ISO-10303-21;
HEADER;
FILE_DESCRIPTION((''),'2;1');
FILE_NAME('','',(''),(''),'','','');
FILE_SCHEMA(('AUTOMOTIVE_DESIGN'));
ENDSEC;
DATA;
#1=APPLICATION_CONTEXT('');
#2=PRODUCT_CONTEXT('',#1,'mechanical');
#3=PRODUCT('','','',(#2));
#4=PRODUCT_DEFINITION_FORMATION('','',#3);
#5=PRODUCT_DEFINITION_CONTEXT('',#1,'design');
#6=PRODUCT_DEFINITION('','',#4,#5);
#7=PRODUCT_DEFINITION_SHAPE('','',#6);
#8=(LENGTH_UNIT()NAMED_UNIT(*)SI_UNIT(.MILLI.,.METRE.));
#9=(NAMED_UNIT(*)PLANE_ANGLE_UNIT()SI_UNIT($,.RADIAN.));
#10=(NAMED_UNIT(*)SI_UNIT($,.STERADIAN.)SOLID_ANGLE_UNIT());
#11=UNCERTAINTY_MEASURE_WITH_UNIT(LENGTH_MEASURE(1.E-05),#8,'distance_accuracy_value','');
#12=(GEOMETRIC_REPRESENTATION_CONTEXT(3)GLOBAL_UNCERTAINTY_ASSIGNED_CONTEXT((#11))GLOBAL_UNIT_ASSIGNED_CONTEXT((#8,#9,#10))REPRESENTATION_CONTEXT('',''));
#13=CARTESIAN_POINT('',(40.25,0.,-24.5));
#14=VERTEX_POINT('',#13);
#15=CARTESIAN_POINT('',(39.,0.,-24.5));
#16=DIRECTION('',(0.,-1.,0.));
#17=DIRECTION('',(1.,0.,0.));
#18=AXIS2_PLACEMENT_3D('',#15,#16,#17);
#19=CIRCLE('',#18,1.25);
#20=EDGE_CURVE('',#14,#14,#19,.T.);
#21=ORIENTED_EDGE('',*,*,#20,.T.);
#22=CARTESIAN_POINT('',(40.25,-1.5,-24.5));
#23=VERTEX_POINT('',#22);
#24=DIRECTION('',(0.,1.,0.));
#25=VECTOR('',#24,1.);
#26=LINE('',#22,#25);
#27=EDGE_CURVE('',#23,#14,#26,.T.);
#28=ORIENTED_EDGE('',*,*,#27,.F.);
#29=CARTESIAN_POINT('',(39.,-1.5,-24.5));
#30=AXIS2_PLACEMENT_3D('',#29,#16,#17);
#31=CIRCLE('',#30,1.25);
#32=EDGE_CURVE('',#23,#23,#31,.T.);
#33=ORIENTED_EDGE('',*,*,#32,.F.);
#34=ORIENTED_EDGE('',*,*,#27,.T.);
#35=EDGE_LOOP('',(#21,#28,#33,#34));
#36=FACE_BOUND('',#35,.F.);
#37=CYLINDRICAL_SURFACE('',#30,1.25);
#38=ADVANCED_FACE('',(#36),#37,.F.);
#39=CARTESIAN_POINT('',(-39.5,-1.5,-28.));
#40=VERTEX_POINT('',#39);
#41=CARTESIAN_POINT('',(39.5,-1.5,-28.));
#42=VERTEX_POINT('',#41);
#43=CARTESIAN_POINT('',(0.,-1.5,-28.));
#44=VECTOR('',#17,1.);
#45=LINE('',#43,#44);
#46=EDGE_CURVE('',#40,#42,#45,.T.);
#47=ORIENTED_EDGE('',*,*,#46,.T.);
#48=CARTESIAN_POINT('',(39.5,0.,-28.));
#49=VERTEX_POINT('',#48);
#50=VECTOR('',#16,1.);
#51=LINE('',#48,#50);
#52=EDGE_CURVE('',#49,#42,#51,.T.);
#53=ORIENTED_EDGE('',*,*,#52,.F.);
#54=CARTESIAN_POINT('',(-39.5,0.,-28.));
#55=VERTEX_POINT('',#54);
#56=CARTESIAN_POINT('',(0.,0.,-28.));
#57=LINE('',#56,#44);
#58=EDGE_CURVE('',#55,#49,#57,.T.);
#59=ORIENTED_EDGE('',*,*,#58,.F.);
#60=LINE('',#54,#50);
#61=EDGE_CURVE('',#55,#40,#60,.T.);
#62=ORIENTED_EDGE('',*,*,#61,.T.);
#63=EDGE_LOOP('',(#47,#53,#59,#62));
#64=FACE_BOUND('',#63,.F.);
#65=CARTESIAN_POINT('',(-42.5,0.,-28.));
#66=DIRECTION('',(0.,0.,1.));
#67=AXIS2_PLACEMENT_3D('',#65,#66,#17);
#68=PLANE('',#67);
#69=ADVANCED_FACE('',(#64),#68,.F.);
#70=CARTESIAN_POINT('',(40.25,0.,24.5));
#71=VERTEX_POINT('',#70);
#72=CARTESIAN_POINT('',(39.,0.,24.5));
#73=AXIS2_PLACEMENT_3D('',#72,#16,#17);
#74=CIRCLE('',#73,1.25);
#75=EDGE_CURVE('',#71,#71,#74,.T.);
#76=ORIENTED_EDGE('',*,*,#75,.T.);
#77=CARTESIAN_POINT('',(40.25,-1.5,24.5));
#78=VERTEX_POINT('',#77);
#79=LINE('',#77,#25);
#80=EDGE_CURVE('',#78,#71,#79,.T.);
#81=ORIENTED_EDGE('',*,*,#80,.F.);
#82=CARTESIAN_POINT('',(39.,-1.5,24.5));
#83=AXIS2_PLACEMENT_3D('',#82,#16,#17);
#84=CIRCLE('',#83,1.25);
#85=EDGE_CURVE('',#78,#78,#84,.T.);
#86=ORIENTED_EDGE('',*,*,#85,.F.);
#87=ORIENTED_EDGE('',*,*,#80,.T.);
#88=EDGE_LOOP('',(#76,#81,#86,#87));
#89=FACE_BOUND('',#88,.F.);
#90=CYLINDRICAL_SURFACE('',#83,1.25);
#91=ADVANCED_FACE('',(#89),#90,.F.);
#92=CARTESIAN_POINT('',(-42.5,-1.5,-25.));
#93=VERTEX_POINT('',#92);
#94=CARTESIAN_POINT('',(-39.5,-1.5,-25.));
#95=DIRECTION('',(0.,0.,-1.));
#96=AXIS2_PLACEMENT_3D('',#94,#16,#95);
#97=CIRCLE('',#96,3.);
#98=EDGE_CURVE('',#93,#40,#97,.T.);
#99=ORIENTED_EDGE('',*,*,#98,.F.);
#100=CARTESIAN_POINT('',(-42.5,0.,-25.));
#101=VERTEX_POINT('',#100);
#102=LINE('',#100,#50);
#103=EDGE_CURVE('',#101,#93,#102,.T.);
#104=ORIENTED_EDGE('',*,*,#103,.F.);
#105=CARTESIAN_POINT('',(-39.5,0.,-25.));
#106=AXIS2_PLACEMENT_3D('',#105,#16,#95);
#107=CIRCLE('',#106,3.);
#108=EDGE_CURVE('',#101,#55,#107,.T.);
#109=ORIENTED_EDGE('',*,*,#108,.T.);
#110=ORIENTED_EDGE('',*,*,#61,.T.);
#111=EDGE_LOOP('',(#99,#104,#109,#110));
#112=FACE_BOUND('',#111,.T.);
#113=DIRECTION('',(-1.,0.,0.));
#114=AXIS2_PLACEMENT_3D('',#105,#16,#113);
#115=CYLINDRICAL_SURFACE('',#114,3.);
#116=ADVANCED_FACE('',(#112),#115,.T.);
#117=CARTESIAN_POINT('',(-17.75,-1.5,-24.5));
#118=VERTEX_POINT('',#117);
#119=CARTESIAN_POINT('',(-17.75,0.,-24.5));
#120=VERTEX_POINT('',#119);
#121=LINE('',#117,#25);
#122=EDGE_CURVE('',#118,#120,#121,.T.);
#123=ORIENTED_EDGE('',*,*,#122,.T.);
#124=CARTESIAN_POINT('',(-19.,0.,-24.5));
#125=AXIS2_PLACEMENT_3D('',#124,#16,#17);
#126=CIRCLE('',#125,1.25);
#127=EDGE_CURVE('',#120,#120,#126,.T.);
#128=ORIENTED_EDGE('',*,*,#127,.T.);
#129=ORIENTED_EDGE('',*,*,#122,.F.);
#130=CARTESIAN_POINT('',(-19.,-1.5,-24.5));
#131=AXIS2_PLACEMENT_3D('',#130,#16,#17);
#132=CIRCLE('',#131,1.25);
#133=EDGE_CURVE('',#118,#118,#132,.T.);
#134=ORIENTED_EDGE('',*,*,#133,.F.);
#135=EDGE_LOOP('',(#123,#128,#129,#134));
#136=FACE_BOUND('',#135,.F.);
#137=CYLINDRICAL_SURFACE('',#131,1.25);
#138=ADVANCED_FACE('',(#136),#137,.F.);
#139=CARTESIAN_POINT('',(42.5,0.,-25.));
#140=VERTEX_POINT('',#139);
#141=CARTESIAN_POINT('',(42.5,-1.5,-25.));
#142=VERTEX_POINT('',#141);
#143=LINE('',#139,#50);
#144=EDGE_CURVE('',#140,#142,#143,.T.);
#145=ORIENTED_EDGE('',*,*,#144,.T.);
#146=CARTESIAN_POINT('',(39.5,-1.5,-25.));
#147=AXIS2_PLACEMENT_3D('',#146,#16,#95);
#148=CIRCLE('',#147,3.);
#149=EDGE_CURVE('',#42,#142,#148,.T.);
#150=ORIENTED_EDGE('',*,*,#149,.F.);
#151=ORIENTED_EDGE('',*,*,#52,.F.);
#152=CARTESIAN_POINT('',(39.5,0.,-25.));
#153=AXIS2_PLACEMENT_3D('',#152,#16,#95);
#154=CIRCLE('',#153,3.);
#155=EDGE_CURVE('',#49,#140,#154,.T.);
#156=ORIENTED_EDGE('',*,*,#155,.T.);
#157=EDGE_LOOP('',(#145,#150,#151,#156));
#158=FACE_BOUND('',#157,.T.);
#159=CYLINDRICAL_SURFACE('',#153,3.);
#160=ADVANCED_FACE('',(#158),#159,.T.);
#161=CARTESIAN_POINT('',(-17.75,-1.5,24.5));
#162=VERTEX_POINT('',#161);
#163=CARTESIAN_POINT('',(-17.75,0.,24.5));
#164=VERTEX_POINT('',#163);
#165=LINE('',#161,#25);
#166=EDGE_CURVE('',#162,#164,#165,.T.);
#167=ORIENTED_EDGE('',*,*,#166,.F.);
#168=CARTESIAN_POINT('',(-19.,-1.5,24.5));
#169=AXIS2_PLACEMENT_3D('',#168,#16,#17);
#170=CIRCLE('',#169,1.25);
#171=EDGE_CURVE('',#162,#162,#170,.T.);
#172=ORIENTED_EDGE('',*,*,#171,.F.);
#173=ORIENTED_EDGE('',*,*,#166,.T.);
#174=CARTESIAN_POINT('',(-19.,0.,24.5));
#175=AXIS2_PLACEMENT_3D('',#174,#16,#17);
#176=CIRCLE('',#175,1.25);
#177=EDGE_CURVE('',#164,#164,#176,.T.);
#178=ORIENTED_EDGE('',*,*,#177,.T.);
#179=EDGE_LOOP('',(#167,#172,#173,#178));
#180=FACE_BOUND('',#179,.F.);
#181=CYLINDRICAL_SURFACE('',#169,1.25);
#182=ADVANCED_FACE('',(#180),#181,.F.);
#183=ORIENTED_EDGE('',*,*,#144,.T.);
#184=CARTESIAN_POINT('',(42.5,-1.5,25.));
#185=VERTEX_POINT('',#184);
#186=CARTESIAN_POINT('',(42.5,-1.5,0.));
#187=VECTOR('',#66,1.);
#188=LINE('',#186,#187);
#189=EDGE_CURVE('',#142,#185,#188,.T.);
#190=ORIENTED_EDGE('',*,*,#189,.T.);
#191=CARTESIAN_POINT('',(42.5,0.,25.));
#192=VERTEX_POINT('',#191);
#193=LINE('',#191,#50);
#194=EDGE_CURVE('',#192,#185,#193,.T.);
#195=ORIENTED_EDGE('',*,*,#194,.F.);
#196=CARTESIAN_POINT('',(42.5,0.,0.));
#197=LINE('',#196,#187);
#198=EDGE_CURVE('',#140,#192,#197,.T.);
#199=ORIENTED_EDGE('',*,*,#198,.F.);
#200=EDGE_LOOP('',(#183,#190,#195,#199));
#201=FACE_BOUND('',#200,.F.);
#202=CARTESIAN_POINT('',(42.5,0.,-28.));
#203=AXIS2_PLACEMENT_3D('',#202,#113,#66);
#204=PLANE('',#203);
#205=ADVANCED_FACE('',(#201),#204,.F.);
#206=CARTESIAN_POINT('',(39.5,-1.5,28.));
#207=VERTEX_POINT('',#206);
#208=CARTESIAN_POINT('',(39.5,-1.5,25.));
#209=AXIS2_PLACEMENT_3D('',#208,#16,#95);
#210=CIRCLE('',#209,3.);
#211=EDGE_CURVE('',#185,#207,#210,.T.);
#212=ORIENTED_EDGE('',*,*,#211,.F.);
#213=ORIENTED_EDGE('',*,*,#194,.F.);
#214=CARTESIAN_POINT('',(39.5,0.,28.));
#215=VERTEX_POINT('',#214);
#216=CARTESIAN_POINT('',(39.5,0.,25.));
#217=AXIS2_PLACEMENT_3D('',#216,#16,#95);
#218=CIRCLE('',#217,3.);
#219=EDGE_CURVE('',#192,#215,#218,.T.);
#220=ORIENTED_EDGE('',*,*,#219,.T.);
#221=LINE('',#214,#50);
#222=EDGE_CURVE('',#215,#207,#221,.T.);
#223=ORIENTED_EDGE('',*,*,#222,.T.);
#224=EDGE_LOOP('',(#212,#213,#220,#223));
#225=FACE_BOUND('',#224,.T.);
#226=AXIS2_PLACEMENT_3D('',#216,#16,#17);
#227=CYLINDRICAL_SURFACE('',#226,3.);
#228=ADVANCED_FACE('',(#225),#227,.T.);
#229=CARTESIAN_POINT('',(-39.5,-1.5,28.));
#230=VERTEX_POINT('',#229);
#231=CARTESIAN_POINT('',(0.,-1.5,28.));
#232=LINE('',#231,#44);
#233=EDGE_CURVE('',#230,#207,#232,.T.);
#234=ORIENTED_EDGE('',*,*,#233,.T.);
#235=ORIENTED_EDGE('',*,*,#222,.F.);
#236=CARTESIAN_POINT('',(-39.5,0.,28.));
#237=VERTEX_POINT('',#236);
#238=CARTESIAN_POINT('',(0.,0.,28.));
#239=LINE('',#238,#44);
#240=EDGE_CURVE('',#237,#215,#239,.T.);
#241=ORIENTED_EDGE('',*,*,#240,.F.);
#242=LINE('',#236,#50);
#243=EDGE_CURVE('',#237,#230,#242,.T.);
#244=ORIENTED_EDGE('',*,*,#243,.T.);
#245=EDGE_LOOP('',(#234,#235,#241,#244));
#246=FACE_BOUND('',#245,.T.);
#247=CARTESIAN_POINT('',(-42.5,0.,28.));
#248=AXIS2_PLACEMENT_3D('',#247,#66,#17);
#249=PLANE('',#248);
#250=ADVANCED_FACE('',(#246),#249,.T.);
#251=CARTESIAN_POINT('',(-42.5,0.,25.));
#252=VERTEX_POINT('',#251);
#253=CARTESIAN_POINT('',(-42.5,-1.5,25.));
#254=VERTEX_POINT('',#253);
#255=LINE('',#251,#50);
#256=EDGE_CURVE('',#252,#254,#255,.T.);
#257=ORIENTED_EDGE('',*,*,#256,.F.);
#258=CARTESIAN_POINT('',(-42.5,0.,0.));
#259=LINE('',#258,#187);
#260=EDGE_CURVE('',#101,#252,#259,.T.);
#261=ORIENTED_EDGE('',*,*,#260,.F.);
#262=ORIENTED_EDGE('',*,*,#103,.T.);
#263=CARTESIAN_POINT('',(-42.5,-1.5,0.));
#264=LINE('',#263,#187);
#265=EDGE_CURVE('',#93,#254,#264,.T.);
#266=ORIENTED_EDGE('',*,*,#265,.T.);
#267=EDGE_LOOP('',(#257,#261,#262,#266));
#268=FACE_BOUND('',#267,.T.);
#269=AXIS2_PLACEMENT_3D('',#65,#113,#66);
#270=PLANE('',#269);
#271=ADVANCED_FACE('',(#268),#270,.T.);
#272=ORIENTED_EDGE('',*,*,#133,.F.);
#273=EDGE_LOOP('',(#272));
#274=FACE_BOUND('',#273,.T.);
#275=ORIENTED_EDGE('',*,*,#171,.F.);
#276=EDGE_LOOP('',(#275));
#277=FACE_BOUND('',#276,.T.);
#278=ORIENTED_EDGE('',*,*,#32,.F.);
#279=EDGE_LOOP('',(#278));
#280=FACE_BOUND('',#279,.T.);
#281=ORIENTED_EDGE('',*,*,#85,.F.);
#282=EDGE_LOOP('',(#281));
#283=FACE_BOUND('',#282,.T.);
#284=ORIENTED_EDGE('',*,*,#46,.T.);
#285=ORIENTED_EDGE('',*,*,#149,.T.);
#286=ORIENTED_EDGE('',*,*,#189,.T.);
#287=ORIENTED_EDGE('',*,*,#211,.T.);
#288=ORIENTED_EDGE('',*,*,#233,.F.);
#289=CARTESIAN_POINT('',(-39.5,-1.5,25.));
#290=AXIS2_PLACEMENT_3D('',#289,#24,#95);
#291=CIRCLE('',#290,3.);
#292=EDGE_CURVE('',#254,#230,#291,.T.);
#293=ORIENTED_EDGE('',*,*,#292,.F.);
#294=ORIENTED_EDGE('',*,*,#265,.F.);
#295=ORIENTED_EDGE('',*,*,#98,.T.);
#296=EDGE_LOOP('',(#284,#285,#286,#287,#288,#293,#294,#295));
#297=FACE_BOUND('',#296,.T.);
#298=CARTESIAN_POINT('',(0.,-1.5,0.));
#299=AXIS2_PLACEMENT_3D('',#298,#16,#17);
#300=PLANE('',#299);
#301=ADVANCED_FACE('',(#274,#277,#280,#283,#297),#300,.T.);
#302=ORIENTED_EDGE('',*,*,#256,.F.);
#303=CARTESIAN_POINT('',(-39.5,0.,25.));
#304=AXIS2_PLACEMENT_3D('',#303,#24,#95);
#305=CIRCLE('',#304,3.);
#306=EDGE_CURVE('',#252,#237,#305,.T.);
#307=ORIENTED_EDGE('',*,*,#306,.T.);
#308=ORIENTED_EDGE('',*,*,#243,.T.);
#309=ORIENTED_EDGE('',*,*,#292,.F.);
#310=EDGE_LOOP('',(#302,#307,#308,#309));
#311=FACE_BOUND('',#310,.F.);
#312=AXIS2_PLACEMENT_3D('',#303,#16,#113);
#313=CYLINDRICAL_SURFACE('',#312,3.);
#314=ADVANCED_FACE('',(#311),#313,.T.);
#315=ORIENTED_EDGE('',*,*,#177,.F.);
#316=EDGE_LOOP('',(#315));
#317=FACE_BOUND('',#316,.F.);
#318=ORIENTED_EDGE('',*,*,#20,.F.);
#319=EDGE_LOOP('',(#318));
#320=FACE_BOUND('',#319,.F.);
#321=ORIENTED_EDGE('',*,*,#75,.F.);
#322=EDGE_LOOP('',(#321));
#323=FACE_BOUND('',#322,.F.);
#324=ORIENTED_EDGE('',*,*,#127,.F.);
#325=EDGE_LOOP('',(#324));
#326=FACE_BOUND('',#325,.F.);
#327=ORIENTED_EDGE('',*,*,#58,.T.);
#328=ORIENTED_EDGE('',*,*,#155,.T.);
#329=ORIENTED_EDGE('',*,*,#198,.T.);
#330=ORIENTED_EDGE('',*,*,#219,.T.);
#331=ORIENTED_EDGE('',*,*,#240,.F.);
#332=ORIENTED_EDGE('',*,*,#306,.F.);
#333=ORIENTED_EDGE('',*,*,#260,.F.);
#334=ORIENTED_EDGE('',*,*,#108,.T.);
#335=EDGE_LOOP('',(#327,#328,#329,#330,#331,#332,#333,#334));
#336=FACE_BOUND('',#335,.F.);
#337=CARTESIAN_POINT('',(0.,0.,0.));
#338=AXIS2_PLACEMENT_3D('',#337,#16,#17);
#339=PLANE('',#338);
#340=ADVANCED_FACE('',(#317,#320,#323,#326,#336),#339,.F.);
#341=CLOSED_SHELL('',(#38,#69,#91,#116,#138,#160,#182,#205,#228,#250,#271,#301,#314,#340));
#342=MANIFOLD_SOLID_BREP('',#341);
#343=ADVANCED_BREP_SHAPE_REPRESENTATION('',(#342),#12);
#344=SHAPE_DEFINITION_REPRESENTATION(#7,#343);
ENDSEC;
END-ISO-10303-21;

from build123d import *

# Parameters (mm, degrees)
F0_W     = 85
F0_H     = 56
F1_DEPTH = 1.5
F2_R     = 3
F3_R     = 1.25
F4_DEPTH = 1.501


with BuildPart() as f1:
    # F0 (on Front) → F1 (new body)
    with BuildSketch(Plane.XZ):
        Rectangle(F0_W, F0_H)
    extrude(amount=F1_DEPTH)

    # F2
    f2_edges = [f1.edges().sort_by_distance(p)[0] for p in [
        (-42.5, -0.75, 28),
        (42.5, -0.75, 28),
        (42.5, -0.75, -28),
        (-42.5, -0.75, -28),
    ]]
    fillet(f2_edges, radius=F2_R)

    # F3 (on face) → F4 (cut, through all)
    with BuildSketch(Plane.XZ.offset(1.5)):
        with Locations((39, 24.5)):
            Circle(F3_R)
        with Locations((-19, 24.5)):
            Circle(F3_R)
        with Locations((-19, -24.5)):
            Circle(F3_R)
        with Locations((39, -24.5)):
            Circle(F3_R)
    extrude(amount=-F4_DEPTH, mode=Mode.SUBTRACT)


solid = f1.part
